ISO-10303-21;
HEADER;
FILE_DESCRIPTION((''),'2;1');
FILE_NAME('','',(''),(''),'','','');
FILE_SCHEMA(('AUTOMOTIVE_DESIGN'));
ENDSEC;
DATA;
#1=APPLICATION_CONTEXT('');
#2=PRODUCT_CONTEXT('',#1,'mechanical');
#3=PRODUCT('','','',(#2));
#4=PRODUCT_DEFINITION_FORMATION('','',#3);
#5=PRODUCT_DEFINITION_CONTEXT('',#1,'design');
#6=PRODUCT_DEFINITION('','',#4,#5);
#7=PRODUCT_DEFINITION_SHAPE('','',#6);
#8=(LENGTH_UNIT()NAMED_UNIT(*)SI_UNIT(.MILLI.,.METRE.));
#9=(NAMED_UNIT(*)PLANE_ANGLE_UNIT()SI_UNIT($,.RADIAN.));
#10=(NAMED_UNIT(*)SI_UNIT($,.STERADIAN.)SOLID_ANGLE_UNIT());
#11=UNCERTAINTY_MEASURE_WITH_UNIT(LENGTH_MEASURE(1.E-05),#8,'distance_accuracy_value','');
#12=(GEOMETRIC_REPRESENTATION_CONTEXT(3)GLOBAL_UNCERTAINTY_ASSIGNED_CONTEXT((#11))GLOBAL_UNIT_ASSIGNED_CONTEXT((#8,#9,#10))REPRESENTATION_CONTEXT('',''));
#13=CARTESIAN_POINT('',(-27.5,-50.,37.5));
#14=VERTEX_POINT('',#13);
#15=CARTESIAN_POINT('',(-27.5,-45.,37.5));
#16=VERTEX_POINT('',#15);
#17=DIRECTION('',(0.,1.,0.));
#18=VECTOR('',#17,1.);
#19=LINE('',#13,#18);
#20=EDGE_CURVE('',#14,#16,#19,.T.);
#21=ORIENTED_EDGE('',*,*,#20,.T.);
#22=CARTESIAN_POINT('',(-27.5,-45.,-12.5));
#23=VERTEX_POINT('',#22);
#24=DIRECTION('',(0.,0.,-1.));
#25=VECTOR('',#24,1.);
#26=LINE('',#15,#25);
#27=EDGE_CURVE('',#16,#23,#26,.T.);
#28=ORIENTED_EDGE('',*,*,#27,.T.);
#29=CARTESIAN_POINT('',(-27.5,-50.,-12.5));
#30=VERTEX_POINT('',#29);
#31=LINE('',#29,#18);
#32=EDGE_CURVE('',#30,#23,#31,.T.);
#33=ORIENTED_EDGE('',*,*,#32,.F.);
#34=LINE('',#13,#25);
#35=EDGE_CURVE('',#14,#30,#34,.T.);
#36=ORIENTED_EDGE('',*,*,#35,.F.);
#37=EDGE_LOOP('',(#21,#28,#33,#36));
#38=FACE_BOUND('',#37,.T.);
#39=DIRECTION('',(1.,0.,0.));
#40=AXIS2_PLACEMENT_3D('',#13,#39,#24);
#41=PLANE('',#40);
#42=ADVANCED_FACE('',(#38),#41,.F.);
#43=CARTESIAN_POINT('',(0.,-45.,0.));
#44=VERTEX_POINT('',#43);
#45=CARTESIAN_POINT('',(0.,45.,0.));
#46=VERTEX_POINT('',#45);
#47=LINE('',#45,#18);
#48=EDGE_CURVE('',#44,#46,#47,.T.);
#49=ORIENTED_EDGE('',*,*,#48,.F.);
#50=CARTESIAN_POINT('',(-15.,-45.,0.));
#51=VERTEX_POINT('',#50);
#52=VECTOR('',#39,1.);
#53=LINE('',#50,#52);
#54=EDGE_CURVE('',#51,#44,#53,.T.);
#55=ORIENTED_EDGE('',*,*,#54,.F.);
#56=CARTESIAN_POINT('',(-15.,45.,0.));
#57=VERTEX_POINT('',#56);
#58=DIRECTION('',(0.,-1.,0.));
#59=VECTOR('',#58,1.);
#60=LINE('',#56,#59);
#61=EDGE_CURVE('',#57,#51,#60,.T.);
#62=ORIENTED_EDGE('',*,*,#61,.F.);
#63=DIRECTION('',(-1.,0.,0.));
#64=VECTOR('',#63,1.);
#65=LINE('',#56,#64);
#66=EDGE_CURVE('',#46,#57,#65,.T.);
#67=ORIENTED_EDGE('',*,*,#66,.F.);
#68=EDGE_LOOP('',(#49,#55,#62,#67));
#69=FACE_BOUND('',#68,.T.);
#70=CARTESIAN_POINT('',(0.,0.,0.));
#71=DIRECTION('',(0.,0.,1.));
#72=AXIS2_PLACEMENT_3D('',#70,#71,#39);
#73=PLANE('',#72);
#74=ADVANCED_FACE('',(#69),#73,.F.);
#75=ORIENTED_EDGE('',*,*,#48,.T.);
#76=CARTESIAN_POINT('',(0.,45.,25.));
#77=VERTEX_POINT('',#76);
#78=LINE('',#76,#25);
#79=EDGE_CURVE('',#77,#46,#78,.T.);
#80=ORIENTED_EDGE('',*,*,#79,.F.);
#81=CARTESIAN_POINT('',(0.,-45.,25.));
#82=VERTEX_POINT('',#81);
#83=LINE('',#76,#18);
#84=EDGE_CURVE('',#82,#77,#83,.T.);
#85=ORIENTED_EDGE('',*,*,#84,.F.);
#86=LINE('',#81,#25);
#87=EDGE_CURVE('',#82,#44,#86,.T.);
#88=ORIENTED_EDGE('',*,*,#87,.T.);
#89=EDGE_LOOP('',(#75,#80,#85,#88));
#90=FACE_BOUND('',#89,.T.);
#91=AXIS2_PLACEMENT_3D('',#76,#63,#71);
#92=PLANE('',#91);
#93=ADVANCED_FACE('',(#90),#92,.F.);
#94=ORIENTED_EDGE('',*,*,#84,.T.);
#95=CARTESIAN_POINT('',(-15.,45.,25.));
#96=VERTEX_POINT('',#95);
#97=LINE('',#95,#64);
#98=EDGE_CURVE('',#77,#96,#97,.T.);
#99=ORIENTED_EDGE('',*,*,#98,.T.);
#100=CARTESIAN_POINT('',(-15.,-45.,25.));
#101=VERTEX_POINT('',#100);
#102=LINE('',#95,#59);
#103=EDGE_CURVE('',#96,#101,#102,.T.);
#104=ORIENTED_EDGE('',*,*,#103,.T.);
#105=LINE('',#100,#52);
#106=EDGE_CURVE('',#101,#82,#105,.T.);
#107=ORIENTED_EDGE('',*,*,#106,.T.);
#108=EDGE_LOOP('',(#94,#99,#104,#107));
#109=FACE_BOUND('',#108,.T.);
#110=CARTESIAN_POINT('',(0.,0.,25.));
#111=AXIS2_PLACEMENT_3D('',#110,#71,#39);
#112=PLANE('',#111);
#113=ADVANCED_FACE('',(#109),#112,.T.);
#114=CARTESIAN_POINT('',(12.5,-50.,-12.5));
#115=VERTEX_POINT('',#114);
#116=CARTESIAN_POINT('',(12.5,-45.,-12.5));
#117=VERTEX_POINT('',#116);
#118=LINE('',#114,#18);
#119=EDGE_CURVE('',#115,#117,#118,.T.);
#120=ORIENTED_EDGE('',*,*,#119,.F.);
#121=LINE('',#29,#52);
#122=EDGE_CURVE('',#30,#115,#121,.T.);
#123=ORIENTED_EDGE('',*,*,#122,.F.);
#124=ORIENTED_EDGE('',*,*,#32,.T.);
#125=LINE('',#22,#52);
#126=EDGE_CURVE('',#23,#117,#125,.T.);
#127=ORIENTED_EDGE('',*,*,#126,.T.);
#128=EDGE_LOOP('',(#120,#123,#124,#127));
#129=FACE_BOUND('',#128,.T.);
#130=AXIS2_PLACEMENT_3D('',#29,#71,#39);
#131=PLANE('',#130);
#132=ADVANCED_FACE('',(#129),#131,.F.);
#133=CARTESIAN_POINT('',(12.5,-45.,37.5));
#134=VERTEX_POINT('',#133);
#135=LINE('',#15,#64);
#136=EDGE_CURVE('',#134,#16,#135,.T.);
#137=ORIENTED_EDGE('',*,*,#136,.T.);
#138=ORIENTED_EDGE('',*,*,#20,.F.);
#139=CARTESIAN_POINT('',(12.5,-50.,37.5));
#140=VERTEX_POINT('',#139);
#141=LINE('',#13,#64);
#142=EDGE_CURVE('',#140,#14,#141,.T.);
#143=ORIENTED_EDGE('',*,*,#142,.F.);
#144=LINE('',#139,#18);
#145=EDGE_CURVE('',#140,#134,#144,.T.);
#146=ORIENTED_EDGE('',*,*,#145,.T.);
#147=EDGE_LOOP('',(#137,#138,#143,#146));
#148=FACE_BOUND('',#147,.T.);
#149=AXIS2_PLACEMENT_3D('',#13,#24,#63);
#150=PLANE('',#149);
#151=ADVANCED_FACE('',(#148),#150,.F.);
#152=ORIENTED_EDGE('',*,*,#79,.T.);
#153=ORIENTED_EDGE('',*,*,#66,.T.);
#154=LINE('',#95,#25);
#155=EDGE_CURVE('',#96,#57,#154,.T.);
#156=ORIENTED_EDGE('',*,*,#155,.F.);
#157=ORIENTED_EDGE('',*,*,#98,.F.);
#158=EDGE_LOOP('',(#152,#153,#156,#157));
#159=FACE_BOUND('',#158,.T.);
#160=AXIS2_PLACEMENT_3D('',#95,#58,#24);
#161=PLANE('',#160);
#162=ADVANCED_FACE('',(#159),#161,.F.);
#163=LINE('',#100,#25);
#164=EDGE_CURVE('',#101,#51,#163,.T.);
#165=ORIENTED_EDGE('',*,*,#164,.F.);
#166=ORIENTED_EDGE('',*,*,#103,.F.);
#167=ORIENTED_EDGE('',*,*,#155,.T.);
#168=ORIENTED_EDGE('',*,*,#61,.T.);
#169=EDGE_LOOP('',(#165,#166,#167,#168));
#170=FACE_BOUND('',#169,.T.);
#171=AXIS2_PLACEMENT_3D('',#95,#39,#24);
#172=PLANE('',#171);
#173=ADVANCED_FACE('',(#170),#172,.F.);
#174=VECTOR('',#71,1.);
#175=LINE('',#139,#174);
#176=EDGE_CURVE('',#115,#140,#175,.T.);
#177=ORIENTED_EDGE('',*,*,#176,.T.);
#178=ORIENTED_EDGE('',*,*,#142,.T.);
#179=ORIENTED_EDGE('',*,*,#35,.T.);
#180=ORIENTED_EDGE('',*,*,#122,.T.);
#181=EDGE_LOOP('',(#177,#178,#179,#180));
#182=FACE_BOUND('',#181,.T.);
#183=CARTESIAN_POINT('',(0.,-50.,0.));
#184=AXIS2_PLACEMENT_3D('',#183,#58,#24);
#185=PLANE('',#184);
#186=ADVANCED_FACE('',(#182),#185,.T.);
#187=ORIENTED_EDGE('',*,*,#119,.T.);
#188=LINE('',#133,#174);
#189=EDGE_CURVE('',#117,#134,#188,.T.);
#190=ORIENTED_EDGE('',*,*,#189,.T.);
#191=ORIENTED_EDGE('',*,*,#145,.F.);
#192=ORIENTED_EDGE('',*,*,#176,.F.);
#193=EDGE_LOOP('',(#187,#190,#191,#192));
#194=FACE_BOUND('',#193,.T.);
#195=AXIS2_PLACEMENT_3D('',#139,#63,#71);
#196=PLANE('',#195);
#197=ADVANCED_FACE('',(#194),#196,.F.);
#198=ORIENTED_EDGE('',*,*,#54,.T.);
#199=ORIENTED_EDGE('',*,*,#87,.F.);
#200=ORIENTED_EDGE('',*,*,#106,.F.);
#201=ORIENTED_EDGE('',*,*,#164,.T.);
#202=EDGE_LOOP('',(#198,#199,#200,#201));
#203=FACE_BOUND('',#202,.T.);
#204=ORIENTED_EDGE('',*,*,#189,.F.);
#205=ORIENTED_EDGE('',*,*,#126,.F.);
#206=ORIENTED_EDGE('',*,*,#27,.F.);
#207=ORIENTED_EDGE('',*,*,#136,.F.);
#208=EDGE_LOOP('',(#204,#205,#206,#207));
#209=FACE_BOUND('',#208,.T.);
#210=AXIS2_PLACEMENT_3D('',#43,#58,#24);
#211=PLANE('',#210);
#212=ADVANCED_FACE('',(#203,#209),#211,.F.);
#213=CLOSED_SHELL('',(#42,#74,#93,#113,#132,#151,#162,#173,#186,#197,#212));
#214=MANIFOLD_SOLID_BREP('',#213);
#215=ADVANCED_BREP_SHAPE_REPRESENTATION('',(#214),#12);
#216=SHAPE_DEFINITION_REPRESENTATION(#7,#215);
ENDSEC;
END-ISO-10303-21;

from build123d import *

# Parameters (mm, degrees)
SKIZZE1_W                       = 15
SKIZZE1_H                       = 90
AUFSATZ_LINEAR_AUSTRAGEN1_DEPTH = 25
SKIZZE2_W                       = 40
SKIZZE2_H                       = 50
AUFSATZ_LINEAR_AUSTRAGEN2_DEPTH = 5


with BuildPart() as part:
    # Skizze1 → Aufsatz-Linear austragen1 (new body)
    with BuildSketch(Plane.XY):
        with Locations((-7.5, 0)):
            Rectangle(SKIZZE1_W, SKIZZE1_H)
    extrude(amount=AUFSATZ_LINEAR_AUSTRAGEN1_DEPTH)

    # Skizze2 → Aufsatz-Linear austragen2 (add)
    with BuildSketch(Plane.XZ.offset(45)):
        with Locations((-7.5, 12.5)):
            Rectangle(SKIZZE2_W, SKIZZE2_H)
    extrude(amount=AUFSATZ_LINEAR_AUSTRAGEN2_DEPTH)


solid = part.part
